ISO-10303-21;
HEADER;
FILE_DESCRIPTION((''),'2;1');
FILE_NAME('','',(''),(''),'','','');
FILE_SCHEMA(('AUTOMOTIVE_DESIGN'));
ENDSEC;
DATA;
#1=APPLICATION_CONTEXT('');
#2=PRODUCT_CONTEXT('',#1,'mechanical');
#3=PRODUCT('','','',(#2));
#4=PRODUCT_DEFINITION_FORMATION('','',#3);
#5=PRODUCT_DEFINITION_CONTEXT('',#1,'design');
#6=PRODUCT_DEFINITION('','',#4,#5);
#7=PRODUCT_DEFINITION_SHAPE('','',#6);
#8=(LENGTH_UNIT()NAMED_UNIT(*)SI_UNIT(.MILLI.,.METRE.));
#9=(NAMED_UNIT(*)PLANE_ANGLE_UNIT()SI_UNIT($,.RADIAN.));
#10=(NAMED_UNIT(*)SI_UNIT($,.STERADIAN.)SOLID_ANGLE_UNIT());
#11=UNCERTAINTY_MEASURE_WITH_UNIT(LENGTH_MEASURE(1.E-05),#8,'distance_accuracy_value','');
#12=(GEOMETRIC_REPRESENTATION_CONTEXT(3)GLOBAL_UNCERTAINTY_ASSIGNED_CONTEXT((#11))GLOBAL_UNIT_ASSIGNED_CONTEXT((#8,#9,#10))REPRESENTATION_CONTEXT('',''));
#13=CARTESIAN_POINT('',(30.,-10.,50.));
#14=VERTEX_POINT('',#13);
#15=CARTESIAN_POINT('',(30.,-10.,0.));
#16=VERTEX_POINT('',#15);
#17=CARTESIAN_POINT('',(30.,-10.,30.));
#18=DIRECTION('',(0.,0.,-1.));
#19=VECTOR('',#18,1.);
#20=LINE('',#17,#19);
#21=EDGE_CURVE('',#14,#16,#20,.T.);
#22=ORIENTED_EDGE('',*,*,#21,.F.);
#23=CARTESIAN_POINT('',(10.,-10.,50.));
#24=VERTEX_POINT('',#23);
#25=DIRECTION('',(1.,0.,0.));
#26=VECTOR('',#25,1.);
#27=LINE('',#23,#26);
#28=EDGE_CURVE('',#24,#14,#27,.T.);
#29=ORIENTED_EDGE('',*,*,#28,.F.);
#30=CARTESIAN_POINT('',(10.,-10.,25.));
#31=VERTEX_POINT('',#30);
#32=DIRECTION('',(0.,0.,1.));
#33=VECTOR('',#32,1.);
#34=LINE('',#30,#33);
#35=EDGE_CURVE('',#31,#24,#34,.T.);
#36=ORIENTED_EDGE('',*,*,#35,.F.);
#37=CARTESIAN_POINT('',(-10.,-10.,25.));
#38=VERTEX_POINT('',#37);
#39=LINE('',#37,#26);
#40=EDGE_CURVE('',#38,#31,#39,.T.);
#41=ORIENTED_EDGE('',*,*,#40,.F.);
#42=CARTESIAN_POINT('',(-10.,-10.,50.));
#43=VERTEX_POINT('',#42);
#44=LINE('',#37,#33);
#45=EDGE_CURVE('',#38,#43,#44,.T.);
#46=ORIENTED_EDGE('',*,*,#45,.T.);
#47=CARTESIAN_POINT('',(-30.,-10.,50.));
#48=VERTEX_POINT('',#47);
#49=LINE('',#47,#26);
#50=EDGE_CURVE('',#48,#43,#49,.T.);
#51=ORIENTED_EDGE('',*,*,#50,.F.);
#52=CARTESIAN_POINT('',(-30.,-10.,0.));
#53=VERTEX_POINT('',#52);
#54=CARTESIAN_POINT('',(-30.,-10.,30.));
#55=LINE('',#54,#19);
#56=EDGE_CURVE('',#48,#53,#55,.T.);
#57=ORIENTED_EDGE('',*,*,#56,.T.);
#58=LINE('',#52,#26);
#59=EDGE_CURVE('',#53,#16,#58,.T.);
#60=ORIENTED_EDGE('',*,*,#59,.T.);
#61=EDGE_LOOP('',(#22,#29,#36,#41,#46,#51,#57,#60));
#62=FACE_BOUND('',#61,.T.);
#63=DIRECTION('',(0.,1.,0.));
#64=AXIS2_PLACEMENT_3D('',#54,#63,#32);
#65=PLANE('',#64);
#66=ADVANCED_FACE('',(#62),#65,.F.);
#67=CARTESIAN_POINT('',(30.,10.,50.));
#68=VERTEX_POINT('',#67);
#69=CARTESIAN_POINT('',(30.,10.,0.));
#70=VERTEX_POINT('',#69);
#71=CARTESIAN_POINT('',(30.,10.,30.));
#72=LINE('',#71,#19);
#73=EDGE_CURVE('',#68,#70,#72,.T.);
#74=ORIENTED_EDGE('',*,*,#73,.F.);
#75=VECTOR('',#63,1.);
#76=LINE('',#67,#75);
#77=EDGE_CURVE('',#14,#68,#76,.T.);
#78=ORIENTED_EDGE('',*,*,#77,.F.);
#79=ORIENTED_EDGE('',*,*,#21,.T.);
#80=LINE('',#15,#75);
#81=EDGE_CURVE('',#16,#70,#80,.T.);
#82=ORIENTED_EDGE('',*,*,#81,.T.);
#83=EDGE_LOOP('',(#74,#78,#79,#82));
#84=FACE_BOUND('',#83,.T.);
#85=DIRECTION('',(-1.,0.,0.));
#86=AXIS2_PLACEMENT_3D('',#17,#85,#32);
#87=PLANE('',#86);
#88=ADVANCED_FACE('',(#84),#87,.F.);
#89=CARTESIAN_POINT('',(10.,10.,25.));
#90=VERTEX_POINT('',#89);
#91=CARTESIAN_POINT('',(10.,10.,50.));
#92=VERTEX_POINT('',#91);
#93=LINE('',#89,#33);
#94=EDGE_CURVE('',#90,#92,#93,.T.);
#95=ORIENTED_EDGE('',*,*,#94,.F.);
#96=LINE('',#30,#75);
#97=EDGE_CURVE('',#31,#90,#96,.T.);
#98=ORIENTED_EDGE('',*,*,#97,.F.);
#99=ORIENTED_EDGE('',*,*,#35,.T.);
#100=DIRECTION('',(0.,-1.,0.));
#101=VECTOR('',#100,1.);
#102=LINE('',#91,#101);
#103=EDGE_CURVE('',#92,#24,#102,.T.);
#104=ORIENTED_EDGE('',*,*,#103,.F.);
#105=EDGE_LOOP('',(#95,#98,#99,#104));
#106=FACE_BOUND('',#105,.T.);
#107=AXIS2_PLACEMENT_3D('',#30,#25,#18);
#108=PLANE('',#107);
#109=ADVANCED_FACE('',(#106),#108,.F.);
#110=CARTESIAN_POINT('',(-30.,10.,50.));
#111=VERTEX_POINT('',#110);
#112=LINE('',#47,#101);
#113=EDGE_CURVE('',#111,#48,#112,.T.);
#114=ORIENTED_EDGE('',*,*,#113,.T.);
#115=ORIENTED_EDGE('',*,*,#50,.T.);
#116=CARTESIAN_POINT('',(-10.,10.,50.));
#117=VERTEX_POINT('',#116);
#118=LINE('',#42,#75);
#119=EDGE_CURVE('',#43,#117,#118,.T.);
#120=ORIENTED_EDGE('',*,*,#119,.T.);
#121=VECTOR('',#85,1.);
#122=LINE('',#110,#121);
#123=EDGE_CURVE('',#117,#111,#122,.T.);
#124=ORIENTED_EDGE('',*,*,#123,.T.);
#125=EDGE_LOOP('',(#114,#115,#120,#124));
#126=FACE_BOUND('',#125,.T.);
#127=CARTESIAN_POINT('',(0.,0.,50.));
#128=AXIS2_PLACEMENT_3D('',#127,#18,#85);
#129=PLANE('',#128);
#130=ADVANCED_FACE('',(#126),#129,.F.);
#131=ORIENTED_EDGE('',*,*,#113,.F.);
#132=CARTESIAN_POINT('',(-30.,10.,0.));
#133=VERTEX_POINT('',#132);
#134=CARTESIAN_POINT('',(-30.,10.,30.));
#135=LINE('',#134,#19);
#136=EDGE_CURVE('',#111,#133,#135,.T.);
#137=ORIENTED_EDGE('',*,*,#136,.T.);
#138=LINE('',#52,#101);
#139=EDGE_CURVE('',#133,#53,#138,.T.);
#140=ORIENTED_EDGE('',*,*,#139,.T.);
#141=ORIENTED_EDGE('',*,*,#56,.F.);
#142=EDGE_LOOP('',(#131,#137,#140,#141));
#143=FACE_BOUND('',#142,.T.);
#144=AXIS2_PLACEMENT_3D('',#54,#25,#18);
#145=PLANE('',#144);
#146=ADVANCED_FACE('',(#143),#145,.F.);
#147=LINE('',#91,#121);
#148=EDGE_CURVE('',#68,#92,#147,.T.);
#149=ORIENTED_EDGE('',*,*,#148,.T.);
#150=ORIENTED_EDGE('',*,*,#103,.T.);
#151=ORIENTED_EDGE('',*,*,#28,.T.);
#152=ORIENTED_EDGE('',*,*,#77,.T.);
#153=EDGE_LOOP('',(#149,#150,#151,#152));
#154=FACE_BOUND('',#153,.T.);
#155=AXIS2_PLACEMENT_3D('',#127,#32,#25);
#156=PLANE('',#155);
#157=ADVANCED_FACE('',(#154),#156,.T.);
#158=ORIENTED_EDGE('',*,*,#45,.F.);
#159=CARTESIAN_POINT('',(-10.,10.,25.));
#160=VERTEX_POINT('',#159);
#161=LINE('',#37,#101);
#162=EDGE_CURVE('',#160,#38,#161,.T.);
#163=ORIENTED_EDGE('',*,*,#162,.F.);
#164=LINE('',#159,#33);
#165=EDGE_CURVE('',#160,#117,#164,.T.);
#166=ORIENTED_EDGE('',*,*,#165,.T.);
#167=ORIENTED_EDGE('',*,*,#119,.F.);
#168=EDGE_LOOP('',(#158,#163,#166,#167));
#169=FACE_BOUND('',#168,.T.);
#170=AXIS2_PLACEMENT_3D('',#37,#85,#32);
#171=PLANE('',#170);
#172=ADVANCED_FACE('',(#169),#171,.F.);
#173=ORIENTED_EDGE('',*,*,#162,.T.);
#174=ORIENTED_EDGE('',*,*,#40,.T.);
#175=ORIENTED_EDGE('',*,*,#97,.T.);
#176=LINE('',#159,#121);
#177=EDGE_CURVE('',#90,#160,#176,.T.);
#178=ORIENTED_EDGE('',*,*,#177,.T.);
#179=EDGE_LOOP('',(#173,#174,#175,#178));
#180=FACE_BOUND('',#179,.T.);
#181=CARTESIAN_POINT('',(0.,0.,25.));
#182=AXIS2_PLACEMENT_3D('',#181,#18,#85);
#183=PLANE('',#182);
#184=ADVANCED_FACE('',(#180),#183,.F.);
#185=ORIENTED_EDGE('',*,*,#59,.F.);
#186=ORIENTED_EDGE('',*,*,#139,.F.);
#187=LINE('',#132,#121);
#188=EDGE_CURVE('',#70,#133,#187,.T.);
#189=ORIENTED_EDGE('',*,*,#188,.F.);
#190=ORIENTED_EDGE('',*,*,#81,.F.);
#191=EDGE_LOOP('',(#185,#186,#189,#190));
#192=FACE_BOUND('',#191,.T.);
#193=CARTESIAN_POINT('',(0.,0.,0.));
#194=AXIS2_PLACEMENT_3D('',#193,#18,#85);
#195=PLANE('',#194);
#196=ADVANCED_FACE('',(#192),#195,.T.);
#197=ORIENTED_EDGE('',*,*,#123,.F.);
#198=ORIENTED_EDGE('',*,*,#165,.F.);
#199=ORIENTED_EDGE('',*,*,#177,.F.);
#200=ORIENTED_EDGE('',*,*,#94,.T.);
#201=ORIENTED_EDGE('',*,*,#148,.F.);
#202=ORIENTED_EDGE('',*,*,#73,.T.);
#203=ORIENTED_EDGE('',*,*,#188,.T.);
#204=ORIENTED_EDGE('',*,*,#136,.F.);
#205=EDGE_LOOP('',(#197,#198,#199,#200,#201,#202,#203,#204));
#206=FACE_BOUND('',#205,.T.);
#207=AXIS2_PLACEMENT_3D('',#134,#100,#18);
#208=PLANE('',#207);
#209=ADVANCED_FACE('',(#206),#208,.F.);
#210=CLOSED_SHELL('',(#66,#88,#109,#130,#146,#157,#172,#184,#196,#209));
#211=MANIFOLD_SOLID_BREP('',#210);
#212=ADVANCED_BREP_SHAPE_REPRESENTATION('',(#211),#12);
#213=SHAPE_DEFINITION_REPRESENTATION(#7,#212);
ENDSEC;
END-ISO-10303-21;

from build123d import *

# Parameters (mm, degrees)
CROQUIS1_W              = 60
CROQUIS1_H              = 20
SALIENTE_EXTRUIR1_DEPTH = 30
CROQUIS2_W              = 20
CROQUIS2_H              = 20
CORTAR_EXTRUIR1_DEPTH   = 5
CROQUIS4_W              = 20
CROQUIS4_H              = 20
SALIENTE_EXTRUIR2_DEPTH = 20


with BuildPart() as part:
    # Croquis1 → Saliente-Extruir1 (new body)
    with BuildSketch(Plane.XY):
        Rectangle(CROQUIS1_W, CROQUIS1_H)
    extrude(amount=SALIENTE_EXTRUIR1_DEPTH)

    # Croquis2 → Cortar-Extruir1 (cut)
    with BuildSketch(Plane.XY.offset(30)):
        Rectangle(CROQUIS2_W, CROQUIS2_H)
    extrude(amount=-CORTAR_EXTRUIR1_DEPTH, mode=Mode.SUBTRACT)

    # Croquis4 → Saliente-Extruir2 (add)
    with BuildSketch(Plane.XY.offset(30)):
        with Locations((-20, 0)):
            Rectangle(CROQUIS4_W, CROQUIS4_H)
        with Locations((20, 0)):
            Rectangle(CROQUIS4_W, CROQUIS4_H)
    extrude(amount=SALIENTE_EXTRUIR2_DEPTH)


solid = part.part
